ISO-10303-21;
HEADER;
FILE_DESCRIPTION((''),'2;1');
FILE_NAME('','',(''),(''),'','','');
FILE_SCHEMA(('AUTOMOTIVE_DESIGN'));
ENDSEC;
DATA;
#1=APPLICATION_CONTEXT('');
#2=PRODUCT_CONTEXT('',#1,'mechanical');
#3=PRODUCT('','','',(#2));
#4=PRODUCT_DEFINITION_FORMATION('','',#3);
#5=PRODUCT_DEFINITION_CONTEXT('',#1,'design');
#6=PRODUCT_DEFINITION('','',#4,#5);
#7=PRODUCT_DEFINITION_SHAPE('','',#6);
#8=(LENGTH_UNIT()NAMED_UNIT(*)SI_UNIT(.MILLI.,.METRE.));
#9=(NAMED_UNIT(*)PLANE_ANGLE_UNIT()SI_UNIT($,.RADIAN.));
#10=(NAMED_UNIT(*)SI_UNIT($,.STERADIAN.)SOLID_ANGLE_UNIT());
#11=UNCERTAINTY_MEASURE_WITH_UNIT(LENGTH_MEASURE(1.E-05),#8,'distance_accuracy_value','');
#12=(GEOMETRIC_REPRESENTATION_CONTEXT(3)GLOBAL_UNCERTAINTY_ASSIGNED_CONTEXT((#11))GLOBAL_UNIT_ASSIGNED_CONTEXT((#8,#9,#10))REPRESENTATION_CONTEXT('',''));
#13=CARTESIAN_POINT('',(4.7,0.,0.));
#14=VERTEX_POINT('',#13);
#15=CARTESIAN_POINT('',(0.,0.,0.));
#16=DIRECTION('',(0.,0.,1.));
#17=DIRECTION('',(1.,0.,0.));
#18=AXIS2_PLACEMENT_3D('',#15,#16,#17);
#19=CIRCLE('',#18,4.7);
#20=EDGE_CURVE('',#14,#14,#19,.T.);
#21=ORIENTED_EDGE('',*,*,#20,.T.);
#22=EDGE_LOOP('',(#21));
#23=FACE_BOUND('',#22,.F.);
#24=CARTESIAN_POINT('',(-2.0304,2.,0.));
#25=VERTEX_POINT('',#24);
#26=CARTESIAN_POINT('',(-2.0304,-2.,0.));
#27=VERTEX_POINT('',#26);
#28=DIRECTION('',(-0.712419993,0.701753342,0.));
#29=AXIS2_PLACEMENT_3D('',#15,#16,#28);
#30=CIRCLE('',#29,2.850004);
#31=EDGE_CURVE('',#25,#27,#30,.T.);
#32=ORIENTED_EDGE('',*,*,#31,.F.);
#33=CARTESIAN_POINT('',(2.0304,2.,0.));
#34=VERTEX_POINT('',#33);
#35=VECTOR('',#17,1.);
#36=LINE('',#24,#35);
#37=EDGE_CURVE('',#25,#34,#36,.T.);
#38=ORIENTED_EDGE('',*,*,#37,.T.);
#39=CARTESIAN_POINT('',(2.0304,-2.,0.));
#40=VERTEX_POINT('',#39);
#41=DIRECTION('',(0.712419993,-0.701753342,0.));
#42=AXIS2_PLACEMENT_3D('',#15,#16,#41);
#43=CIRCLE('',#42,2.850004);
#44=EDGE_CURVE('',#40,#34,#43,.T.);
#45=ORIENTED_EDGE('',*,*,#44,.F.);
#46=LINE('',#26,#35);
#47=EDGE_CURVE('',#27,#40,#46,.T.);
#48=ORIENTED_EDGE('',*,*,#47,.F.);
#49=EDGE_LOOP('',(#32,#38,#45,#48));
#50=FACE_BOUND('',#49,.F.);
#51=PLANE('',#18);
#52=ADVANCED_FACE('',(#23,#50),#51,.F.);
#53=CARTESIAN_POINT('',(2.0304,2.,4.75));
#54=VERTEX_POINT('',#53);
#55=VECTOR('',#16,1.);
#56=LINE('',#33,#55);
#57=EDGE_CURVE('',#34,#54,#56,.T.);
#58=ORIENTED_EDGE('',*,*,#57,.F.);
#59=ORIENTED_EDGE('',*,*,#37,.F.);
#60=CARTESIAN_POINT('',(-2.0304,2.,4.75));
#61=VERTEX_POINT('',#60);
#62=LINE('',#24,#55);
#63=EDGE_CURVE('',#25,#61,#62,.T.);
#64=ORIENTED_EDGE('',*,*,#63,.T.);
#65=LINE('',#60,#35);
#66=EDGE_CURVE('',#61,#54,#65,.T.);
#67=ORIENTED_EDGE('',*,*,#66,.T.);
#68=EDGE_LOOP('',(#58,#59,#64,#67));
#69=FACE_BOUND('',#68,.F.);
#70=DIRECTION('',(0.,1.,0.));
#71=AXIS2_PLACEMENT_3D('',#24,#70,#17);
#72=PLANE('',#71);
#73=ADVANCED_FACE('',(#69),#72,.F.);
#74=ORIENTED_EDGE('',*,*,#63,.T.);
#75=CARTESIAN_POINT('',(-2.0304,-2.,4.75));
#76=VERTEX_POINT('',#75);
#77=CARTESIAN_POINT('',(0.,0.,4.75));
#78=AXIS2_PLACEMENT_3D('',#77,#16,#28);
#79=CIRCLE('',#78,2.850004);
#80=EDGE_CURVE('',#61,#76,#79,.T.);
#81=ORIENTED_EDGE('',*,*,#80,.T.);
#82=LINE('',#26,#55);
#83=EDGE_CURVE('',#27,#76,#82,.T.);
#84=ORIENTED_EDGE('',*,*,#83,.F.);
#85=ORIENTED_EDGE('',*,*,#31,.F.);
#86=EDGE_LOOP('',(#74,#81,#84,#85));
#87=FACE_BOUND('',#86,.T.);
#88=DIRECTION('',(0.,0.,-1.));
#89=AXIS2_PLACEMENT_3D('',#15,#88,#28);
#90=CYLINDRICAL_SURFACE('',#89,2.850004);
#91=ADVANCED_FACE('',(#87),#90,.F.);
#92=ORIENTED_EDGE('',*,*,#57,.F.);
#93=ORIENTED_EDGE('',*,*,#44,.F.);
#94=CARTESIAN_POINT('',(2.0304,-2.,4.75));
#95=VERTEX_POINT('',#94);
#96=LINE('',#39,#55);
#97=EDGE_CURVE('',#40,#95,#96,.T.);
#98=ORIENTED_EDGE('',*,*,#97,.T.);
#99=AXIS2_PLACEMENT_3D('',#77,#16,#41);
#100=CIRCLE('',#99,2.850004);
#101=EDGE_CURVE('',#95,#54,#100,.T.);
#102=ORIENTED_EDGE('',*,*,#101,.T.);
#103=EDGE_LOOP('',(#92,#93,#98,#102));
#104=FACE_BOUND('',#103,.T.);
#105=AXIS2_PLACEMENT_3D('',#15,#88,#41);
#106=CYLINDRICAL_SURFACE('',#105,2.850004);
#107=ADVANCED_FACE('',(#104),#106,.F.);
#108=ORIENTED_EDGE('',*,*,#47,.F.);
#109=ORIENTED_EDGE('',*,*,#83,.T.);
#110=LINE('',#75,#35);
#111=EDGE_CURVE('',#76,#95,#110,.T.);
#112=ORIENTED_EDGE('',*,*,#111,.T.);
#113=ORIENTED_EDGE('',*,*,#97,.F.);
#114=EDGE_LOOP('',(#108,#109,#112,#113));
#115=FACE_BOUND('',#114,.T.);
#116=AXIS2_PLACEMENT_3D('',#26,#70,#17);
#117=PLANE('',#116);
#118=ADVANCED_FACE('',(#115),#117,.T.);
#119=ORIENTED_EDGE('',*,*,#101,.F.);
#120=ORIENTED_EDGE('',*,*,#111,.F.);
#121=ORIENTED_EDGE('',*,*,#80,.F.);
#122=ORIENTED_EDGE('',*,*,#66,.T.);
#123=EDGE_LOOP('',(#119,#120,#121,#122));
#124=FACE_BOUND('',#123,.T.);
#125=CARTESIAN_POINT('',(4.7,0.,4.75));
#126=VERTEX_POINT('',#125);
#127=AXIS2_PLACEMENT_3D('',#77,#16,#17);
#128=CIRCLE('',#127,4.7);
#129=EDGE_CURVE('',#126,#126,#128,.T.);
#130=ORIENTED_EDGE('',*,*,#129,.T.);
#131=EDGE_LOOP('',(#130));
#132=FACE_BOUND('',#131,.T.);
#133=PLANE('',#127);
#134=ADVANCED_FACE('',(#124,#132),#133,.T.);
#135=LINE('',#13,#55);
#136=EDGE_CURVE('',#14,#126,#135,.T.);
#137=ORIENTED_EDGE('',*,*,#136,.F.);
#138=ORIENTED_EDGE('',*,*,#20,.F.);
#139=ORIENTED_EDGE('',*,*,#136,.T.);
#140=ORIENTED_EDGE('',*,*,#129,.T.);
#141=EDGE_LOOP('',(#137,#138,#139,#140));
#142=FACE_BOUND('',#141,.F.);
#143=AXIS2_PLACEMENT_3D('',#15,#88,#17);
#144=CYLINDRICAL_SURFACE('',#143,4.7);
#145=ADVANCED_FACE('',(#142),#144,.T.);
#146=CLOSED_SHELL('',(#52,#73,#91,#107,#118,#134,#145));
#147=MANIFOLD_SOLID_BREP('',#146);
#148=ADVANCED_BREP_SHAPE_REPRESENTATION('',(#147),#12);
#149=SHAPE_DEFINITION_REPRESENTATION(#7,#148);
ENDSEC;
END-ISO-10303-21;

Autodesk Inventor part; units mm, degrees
ref_plane "YZ Plane" through (0, 0, 0) normal (1, 0, 0) x (0, 1, 0)
ref_plane "XZ Plane" through (0, 0, 0) normal (0, 1, 0) x (-1, 0, 0)
sketch "Sketch1" plane through (0, 0, 0) normal (0, 0, 1) x (1, 0, 0)
  line L0 (1.9666, 1.85) -> (-1.9666, 1.85) construction
  arc A0 (-1.9666, 1.85) -> (-1.9666, -1.85) centre (0, 0) ccw construction
  arc A1 (1.9666, -1.85) -> (1.9666, 1.85) centre (0, 0) ccw construction
  line L1 (-1.9666, -1.85) -> (1.9666, -1.85) construction
  circle A2 centre (0, 0) radius 4.7
  arc A3 (-2.0304, 2) -> (-2.0304, -2) centre (0, 0) ccw
  line L2 (-2.0304, 2) -> (2.0304, 2)
  line L3 (-2.0304, -2) -> (2.0304, -2)
  arc A4 (2.0304, -2) -> (2.0304, 2) centre (0, 0) ccw
  dimension "d0" = 2
  dimension "d6" = 0.15
  dimension "d7" = 0.15
ref_plane "Work Plane1" through (-12.875, -12.875, 4.75) normal (0, 0, -1) x (0, 1, 0)
extrude "Extrusion1" add sketch "Sketch1" along normal up to surface (4.75 mm away)
properties part number "TTencoderspacer"
